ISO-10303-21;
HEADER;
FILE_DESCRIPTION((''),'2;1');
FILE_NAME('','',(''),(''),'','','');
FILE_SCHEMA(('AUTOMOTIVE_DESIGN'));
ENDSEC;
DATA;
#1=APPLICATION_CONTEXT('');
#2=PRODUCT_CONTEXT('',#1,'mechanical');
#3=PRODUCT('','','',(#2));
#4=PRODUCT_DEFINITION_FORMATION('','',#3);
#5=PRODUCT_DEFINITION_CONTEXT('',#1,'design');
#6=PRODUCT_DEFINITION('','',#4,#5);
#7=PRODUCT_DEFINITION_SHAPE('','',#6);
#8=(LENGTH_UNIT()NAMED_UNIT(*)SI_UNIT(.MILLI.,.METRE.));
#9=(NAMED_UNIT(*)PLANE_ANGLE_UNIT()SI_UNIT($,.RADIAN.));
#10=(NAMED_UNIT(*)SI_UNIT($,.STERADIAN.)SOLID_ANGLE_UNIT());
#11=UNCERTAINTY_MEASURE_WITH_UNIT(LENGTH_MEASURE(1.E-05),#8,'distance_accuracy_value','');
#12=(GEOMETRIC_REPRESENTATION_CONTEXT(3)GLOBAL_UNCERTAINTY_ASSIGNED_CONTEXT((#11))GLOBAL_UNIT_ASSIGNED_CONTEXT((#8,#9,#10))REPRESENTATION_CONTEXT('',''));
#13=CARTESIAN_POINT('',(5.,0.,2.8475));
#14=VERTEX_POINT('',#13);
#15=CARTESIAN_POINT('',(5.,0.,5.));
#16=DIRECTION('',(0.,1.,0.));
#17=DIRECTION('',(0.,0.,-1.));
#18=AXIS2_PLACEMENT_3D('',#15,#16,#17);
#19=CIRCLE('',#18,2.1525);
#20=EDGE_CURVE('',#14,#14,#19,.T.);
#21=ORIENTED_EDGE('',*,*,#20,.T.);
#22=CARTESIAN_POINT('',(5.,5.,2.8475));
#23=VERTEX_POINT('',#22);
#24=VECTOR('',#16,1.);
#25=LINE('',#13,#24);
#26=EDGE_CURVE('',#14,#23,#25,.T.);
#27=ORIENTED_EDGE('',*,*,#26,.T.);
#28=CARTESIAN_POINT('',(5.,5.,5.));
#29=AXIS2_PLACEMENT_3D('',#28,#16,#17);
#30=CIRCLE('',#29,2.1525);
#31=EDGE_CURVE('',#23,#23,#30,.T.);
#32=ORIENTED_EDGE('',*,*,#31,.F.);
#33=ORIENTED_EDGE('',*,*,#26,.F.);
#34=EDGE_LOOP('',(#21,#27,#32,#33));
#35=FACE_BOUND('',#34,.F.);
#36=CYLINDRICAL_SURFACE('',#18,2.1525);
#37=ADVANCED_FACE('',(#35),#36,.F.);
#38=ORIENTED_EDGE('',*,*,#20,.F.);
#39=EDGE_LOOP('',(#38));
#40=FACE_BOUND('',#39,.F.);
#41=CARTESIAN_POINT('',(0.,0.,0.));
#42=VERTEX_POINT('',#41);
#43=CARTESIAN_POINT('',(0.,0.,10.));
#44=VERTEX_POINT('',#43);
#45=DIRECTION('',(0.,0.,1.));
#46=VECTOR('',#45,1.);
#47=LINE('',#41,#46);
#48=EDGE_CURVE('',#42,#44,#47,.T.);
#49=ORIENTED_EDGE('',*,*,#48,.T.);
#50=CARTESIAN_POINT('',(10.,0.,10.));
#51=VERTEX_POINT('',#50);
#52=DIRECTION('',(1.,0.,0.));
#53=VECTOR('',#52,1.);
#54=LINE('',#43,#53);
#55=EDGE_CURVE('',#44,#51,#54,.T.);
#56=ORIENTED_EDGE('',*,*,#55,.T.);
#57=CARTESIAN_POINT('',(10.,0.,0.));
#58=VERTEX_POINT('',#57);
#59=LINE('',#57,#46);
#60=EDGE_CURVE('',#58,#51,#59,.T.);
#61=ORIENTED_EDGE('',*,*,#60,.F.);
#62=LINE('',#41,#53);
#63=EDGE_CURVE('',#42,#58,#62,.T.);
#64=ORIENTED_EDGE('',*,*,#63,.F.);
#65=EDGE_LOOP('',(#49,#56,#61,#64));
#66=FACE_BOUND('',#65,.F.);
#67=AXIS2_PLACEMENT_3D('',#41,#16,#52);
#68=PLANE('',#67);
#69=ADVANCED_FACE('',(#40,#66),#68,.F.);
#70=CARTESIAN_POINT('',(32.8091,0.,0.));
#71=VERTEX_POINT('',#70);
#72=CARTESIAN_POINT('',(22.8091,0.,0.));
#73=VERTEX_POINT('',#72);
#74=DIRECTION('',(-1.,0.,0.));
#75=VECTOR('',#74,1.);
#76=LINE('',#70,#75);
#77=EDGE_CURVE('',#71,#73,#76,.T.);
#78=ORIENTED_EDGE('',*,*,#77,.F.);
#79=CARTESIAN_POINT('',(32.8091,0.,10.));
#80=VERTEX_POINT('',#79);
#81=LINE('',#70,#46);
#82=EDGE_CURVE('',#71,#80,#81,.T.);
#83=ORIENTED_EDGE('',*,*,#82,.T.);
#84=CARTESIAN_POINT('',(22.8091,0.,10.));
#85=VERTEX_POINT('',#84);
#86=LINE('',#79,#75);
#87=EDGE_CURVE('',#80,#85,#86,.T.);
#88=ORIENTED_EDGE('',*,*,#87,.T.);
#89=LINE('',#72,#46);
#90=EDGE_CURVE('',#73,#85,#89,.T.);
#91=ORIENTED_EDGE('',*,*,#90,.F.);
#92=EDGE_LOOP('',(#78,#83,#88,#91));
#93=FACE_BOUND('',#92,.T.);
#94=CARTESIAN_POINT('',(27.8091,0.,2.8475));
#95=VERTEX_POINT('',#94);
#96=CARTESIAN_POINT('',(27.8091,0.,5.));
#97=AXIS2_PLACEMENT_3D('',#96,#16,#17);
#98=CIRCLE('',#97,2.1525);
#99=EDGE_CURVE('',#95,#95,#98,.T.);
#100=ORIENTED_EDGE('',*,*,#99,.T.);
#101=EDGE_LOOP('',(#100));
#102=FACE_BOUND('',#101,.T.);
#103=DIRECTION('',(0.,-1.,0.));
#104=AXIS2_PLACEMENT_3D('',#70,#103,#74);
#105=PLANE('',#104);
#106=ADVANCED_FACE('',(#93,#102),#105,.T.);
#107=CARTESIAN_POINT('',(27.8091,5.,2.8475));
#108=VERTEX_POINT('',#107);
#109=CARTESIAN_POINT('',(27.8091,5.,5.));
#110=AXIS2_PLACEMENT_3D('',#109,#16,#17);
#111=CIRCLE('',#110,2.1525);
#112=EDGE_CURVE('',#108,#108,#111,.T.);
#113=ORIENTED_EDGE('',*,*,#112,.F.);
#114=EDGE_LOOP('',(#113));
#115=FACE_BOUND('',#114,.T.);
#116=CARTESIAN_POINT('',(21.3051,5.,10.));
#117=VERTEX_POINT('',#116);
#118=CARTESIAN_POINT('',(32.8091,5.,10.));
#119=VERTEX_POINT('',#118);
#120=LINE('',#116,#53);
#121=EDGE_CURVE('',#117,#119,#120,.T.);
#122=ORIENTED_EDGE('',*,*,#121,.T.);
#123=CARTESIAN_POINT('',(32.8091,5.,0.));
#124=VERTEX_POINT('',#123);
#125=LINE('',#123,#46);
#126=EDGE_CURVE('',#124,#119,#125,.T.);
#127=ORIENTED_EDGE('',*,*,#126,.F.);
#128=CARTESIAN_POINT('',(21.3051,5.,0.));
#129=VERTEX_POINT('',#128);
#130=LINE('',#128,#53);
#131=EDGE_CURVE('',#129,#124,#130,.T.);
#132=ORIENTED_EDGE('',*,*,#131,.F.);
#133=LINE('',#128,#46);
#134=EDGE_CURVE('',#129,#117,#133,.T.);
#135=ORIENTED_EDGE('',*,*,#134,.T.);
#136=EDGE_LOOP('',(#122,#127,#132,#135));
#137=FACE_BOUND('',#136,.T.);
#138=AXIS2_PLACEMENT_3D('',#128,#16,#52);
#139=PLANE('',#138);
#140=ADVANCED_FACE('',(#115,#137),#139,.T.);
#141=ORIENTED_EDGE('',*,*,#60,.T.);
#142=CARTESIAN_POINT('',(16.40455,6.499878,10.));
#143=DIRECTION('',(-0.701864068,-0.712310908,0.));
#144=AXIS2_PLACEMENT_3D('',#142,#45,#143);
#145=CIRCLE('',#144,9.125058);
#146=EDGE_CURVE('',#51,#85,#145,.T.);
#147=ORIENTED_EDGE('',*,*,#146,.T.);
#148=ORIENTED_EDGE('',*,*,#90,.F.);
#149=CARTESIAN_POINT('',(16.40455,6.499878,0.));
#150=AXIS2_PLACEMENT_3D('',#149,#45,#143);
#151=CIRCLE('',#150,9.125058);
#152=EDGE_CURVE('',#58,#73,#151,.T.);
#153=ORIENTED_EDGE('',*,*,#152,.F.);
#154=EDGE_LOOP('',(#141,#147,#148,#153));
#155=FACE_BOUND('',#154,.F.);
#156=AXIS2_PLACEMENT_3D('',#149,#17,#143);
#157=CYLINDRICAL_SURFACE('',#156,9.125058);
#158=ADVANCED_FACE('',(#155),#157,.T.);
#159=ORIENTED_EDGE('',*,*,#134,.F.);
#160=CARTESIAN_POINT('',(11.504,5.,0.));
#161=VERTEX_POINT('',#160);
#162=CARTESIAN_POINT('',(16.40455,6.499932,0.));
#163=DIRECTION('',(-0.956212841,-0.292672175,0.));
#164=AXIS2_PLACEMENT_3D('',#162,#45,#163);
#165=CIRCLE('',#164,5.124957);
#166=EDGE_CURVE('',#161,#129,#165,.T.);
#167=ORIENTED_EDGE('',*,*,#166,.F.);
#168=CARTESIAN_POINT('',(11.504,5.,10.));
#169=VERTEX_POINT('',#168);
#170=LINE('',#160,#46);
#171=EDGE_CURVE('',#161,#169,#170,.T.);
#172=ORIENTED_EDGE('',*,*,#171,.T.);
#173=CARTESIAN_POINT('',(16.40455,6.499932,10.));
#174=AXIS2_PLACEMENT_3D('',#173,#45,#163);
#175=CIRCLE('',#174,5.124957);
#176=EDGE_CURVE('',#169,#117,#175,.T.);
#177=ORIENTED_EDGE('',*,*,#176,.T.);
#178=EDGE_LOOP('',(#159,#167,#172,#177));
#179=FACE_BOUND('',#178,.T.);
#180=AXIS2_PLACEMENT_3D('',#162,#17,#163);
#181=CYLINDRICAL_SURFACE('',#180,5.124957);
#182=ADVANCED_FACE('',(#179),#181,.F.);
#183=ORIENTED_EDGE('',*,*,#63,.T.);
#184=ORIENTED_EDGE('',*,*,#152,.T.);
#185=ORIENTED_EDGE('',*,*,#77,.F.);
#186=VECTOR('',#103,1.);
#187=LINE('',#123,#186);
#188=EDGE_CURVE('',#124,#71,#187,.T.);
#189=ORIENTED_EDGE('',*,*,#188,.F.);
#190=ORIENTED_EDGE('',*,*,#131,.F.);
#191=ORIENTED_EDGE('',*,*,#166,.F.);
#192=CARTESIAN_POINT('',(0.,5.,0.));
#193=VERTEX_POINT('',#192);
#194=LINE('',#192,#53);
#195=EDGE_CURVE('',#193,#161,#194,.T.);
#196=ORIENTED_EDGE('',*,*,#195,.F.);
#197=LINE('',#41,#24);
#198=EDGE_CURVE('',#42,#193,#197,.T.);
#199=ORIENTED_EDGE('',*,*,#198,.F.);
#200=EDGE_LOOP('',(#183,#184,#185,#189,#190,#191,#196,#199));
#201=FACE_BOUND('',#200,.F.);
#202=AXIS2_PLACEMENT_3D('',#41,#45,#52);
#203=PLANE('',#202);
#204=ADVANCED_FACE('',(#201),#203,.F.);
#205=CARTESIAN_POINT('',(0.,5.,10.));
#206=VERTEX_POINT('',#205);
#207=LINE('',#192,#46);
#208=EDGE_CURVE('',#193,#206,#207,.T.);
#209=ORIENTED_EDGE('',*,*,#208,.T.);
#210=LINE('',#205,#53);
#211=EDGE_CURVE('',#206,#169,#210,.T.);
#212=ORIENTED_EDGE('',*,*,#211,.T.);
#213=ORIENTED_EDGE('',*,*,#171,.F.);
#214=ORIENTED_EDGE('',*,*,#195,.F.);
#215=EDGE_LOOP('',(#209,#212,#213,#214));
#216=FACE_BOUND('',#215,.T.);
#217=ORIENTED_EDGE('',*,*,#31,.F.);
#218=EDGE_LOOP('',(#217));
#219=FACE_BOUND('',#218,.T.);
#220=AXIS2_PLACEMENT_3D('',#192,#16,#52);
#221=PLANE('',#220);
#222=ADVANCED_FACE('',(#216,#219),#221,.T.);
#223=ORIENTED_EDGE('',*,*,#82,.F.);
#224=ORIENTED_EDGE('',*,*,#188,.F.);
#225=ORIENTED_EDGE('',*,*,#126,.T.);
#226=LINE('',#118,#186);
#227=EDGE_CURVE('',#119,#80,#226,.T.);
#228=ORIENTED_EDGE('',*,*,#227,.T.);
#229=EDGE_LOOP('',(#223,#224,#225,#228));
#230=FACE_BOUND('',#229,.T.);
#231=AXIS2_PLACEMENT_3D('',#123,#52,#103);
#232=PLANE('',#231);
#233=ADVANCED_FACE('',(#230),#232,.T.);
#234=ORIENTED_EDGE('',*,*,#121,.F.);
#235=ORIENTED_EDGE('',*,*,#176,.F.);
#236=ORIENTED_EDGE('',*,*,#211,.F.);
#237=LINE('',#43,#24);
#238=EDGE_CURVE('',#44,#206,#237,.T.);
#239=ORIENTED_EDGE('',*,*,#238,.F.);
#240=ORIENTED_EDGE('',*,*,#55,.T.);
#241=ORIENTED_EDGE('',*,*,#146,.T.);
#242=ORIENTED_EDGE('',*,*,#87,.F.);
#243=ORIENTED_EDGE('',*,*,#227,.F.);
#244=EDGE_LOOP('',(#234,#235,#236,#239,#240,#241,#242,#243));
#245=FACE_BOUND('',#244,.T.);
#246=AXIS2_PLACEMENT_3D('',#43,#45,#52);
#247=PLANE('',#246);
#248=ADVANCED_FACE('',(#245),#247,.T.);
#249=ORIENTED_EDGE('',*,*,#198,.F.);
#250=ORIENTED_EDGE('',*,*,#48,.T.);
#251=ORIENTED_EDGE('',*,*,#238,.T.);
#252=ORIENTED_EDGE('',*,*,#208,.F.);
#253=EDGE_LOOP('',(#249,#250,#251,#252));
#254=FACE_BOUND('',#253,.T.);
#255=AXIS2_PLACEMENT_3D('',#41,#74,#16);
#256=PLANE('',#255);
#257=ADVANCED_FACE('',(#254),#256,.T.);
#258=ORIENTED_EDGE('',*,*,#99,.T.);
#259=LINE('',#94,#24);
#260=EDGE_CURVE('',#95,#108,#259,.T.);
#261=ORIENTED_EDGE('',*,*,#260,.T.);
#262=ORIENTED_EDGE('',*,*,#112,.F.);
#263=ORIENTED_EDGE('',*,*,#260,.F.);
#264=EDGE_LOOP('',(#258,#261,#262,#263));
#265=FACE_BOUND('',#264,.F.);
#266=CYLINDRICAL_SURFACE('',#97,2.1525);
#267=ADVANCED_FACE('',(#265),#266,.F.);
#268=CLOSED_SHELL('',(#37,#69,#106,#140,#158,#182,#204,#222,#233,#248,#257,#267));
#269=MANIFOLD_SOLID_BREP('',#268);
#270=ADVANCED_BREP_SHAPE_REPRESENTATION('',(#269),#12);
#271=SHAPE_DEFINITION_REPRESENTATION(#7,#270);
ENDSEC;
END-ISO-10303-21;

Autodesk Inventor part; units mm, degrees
ref_plane "YZ Plane" through (0, 0, 0) normal (1, 0, 0) x (0, 1, 0)
ref_plane "XZ Plane" through (0, 0, 0) normal (0, 1, 0) x (-1, 0, 0)
ref_plane "XY Plane" through (0, 0, 0) normal (0, 0, 1) x (1, 0, 0)
sketch "Sketch1" plane through (0, 0, 0) normal (0, 0, 1) x (1, 0, 0)
  line L0 (0, 0) -> (10, 0)
  line L1 (0, 0) -> (0, 5)
  line L2 (0, 5) -> (11.504, 5)
  arc A0 (11.504, 5) -> (21.3051, 5) centre (16.4046, 6.5) ccw
  arc A1 (10, 0) -> (22.8091, 0) centre (16.4046, 6.5) ccw
  line L3 (21.3051, 5) -> (32.8091, 5)
  line L4 (32.8091, 5) -> (32.8091, 0)
  line L5 (32.8091, 0) -> (22.8091, 0)
  dimension "d0" = 10
  dimension "d1" = 11.504
  dimension "d2" = 5
  dimension "d3" = 5.125
  dimension "d4" = 1.5
extrude "Extrusion1" add sketch "Sketch1" along normal blind 10
sketch "Sketch2" plane through (22.8091, 0, 0) normal (0, -1, 0) x (1, 0, 0)
  line L0 (0, 0) -> (10, 0) projected
  line L1 (10, 0) -> (10, 10) projected
  line L2 (0, 10) -> (10, 10) projected
  line L3 (0, 0) -> (0, 10) projected
  line L4 (-22.8091, 0) -> (-12.8091, 0) projected
  line L5 (-12.8091, 0) -> (-12.8091, 10) projected
  line L6 (-22.8091, 10) -> (-12.8091, 10) projected
  line L7 (-22.8091, 0) -> (-22.8091, 10) projected
  line L8 (-22.8091, 0) -> (-22.8091, 10) projected
  line L9 (-22.8091, 10) -> (-12.8091, 0)
  line L10 (-22.8091, 0) -> (-12.8091, 10)
  line L11 (0, 10) -> (10, 0)
  line L12 (0, 0) -> (10, 0) projected
  line L13 (0, 0) -> (10, 10)
  point P0 (-17.8091, 5)
  point P1 (5, 5)
hole "Hole1" at (5, 0, 5) at (27.8091, 0, 5) direction (0, 1, 0) diameter 4.305 end through all clearance for "Flat Head Machine Screw (82)" size "#6" standard "Ansi Unified Screw Threads"
properties part number "clampCap"
